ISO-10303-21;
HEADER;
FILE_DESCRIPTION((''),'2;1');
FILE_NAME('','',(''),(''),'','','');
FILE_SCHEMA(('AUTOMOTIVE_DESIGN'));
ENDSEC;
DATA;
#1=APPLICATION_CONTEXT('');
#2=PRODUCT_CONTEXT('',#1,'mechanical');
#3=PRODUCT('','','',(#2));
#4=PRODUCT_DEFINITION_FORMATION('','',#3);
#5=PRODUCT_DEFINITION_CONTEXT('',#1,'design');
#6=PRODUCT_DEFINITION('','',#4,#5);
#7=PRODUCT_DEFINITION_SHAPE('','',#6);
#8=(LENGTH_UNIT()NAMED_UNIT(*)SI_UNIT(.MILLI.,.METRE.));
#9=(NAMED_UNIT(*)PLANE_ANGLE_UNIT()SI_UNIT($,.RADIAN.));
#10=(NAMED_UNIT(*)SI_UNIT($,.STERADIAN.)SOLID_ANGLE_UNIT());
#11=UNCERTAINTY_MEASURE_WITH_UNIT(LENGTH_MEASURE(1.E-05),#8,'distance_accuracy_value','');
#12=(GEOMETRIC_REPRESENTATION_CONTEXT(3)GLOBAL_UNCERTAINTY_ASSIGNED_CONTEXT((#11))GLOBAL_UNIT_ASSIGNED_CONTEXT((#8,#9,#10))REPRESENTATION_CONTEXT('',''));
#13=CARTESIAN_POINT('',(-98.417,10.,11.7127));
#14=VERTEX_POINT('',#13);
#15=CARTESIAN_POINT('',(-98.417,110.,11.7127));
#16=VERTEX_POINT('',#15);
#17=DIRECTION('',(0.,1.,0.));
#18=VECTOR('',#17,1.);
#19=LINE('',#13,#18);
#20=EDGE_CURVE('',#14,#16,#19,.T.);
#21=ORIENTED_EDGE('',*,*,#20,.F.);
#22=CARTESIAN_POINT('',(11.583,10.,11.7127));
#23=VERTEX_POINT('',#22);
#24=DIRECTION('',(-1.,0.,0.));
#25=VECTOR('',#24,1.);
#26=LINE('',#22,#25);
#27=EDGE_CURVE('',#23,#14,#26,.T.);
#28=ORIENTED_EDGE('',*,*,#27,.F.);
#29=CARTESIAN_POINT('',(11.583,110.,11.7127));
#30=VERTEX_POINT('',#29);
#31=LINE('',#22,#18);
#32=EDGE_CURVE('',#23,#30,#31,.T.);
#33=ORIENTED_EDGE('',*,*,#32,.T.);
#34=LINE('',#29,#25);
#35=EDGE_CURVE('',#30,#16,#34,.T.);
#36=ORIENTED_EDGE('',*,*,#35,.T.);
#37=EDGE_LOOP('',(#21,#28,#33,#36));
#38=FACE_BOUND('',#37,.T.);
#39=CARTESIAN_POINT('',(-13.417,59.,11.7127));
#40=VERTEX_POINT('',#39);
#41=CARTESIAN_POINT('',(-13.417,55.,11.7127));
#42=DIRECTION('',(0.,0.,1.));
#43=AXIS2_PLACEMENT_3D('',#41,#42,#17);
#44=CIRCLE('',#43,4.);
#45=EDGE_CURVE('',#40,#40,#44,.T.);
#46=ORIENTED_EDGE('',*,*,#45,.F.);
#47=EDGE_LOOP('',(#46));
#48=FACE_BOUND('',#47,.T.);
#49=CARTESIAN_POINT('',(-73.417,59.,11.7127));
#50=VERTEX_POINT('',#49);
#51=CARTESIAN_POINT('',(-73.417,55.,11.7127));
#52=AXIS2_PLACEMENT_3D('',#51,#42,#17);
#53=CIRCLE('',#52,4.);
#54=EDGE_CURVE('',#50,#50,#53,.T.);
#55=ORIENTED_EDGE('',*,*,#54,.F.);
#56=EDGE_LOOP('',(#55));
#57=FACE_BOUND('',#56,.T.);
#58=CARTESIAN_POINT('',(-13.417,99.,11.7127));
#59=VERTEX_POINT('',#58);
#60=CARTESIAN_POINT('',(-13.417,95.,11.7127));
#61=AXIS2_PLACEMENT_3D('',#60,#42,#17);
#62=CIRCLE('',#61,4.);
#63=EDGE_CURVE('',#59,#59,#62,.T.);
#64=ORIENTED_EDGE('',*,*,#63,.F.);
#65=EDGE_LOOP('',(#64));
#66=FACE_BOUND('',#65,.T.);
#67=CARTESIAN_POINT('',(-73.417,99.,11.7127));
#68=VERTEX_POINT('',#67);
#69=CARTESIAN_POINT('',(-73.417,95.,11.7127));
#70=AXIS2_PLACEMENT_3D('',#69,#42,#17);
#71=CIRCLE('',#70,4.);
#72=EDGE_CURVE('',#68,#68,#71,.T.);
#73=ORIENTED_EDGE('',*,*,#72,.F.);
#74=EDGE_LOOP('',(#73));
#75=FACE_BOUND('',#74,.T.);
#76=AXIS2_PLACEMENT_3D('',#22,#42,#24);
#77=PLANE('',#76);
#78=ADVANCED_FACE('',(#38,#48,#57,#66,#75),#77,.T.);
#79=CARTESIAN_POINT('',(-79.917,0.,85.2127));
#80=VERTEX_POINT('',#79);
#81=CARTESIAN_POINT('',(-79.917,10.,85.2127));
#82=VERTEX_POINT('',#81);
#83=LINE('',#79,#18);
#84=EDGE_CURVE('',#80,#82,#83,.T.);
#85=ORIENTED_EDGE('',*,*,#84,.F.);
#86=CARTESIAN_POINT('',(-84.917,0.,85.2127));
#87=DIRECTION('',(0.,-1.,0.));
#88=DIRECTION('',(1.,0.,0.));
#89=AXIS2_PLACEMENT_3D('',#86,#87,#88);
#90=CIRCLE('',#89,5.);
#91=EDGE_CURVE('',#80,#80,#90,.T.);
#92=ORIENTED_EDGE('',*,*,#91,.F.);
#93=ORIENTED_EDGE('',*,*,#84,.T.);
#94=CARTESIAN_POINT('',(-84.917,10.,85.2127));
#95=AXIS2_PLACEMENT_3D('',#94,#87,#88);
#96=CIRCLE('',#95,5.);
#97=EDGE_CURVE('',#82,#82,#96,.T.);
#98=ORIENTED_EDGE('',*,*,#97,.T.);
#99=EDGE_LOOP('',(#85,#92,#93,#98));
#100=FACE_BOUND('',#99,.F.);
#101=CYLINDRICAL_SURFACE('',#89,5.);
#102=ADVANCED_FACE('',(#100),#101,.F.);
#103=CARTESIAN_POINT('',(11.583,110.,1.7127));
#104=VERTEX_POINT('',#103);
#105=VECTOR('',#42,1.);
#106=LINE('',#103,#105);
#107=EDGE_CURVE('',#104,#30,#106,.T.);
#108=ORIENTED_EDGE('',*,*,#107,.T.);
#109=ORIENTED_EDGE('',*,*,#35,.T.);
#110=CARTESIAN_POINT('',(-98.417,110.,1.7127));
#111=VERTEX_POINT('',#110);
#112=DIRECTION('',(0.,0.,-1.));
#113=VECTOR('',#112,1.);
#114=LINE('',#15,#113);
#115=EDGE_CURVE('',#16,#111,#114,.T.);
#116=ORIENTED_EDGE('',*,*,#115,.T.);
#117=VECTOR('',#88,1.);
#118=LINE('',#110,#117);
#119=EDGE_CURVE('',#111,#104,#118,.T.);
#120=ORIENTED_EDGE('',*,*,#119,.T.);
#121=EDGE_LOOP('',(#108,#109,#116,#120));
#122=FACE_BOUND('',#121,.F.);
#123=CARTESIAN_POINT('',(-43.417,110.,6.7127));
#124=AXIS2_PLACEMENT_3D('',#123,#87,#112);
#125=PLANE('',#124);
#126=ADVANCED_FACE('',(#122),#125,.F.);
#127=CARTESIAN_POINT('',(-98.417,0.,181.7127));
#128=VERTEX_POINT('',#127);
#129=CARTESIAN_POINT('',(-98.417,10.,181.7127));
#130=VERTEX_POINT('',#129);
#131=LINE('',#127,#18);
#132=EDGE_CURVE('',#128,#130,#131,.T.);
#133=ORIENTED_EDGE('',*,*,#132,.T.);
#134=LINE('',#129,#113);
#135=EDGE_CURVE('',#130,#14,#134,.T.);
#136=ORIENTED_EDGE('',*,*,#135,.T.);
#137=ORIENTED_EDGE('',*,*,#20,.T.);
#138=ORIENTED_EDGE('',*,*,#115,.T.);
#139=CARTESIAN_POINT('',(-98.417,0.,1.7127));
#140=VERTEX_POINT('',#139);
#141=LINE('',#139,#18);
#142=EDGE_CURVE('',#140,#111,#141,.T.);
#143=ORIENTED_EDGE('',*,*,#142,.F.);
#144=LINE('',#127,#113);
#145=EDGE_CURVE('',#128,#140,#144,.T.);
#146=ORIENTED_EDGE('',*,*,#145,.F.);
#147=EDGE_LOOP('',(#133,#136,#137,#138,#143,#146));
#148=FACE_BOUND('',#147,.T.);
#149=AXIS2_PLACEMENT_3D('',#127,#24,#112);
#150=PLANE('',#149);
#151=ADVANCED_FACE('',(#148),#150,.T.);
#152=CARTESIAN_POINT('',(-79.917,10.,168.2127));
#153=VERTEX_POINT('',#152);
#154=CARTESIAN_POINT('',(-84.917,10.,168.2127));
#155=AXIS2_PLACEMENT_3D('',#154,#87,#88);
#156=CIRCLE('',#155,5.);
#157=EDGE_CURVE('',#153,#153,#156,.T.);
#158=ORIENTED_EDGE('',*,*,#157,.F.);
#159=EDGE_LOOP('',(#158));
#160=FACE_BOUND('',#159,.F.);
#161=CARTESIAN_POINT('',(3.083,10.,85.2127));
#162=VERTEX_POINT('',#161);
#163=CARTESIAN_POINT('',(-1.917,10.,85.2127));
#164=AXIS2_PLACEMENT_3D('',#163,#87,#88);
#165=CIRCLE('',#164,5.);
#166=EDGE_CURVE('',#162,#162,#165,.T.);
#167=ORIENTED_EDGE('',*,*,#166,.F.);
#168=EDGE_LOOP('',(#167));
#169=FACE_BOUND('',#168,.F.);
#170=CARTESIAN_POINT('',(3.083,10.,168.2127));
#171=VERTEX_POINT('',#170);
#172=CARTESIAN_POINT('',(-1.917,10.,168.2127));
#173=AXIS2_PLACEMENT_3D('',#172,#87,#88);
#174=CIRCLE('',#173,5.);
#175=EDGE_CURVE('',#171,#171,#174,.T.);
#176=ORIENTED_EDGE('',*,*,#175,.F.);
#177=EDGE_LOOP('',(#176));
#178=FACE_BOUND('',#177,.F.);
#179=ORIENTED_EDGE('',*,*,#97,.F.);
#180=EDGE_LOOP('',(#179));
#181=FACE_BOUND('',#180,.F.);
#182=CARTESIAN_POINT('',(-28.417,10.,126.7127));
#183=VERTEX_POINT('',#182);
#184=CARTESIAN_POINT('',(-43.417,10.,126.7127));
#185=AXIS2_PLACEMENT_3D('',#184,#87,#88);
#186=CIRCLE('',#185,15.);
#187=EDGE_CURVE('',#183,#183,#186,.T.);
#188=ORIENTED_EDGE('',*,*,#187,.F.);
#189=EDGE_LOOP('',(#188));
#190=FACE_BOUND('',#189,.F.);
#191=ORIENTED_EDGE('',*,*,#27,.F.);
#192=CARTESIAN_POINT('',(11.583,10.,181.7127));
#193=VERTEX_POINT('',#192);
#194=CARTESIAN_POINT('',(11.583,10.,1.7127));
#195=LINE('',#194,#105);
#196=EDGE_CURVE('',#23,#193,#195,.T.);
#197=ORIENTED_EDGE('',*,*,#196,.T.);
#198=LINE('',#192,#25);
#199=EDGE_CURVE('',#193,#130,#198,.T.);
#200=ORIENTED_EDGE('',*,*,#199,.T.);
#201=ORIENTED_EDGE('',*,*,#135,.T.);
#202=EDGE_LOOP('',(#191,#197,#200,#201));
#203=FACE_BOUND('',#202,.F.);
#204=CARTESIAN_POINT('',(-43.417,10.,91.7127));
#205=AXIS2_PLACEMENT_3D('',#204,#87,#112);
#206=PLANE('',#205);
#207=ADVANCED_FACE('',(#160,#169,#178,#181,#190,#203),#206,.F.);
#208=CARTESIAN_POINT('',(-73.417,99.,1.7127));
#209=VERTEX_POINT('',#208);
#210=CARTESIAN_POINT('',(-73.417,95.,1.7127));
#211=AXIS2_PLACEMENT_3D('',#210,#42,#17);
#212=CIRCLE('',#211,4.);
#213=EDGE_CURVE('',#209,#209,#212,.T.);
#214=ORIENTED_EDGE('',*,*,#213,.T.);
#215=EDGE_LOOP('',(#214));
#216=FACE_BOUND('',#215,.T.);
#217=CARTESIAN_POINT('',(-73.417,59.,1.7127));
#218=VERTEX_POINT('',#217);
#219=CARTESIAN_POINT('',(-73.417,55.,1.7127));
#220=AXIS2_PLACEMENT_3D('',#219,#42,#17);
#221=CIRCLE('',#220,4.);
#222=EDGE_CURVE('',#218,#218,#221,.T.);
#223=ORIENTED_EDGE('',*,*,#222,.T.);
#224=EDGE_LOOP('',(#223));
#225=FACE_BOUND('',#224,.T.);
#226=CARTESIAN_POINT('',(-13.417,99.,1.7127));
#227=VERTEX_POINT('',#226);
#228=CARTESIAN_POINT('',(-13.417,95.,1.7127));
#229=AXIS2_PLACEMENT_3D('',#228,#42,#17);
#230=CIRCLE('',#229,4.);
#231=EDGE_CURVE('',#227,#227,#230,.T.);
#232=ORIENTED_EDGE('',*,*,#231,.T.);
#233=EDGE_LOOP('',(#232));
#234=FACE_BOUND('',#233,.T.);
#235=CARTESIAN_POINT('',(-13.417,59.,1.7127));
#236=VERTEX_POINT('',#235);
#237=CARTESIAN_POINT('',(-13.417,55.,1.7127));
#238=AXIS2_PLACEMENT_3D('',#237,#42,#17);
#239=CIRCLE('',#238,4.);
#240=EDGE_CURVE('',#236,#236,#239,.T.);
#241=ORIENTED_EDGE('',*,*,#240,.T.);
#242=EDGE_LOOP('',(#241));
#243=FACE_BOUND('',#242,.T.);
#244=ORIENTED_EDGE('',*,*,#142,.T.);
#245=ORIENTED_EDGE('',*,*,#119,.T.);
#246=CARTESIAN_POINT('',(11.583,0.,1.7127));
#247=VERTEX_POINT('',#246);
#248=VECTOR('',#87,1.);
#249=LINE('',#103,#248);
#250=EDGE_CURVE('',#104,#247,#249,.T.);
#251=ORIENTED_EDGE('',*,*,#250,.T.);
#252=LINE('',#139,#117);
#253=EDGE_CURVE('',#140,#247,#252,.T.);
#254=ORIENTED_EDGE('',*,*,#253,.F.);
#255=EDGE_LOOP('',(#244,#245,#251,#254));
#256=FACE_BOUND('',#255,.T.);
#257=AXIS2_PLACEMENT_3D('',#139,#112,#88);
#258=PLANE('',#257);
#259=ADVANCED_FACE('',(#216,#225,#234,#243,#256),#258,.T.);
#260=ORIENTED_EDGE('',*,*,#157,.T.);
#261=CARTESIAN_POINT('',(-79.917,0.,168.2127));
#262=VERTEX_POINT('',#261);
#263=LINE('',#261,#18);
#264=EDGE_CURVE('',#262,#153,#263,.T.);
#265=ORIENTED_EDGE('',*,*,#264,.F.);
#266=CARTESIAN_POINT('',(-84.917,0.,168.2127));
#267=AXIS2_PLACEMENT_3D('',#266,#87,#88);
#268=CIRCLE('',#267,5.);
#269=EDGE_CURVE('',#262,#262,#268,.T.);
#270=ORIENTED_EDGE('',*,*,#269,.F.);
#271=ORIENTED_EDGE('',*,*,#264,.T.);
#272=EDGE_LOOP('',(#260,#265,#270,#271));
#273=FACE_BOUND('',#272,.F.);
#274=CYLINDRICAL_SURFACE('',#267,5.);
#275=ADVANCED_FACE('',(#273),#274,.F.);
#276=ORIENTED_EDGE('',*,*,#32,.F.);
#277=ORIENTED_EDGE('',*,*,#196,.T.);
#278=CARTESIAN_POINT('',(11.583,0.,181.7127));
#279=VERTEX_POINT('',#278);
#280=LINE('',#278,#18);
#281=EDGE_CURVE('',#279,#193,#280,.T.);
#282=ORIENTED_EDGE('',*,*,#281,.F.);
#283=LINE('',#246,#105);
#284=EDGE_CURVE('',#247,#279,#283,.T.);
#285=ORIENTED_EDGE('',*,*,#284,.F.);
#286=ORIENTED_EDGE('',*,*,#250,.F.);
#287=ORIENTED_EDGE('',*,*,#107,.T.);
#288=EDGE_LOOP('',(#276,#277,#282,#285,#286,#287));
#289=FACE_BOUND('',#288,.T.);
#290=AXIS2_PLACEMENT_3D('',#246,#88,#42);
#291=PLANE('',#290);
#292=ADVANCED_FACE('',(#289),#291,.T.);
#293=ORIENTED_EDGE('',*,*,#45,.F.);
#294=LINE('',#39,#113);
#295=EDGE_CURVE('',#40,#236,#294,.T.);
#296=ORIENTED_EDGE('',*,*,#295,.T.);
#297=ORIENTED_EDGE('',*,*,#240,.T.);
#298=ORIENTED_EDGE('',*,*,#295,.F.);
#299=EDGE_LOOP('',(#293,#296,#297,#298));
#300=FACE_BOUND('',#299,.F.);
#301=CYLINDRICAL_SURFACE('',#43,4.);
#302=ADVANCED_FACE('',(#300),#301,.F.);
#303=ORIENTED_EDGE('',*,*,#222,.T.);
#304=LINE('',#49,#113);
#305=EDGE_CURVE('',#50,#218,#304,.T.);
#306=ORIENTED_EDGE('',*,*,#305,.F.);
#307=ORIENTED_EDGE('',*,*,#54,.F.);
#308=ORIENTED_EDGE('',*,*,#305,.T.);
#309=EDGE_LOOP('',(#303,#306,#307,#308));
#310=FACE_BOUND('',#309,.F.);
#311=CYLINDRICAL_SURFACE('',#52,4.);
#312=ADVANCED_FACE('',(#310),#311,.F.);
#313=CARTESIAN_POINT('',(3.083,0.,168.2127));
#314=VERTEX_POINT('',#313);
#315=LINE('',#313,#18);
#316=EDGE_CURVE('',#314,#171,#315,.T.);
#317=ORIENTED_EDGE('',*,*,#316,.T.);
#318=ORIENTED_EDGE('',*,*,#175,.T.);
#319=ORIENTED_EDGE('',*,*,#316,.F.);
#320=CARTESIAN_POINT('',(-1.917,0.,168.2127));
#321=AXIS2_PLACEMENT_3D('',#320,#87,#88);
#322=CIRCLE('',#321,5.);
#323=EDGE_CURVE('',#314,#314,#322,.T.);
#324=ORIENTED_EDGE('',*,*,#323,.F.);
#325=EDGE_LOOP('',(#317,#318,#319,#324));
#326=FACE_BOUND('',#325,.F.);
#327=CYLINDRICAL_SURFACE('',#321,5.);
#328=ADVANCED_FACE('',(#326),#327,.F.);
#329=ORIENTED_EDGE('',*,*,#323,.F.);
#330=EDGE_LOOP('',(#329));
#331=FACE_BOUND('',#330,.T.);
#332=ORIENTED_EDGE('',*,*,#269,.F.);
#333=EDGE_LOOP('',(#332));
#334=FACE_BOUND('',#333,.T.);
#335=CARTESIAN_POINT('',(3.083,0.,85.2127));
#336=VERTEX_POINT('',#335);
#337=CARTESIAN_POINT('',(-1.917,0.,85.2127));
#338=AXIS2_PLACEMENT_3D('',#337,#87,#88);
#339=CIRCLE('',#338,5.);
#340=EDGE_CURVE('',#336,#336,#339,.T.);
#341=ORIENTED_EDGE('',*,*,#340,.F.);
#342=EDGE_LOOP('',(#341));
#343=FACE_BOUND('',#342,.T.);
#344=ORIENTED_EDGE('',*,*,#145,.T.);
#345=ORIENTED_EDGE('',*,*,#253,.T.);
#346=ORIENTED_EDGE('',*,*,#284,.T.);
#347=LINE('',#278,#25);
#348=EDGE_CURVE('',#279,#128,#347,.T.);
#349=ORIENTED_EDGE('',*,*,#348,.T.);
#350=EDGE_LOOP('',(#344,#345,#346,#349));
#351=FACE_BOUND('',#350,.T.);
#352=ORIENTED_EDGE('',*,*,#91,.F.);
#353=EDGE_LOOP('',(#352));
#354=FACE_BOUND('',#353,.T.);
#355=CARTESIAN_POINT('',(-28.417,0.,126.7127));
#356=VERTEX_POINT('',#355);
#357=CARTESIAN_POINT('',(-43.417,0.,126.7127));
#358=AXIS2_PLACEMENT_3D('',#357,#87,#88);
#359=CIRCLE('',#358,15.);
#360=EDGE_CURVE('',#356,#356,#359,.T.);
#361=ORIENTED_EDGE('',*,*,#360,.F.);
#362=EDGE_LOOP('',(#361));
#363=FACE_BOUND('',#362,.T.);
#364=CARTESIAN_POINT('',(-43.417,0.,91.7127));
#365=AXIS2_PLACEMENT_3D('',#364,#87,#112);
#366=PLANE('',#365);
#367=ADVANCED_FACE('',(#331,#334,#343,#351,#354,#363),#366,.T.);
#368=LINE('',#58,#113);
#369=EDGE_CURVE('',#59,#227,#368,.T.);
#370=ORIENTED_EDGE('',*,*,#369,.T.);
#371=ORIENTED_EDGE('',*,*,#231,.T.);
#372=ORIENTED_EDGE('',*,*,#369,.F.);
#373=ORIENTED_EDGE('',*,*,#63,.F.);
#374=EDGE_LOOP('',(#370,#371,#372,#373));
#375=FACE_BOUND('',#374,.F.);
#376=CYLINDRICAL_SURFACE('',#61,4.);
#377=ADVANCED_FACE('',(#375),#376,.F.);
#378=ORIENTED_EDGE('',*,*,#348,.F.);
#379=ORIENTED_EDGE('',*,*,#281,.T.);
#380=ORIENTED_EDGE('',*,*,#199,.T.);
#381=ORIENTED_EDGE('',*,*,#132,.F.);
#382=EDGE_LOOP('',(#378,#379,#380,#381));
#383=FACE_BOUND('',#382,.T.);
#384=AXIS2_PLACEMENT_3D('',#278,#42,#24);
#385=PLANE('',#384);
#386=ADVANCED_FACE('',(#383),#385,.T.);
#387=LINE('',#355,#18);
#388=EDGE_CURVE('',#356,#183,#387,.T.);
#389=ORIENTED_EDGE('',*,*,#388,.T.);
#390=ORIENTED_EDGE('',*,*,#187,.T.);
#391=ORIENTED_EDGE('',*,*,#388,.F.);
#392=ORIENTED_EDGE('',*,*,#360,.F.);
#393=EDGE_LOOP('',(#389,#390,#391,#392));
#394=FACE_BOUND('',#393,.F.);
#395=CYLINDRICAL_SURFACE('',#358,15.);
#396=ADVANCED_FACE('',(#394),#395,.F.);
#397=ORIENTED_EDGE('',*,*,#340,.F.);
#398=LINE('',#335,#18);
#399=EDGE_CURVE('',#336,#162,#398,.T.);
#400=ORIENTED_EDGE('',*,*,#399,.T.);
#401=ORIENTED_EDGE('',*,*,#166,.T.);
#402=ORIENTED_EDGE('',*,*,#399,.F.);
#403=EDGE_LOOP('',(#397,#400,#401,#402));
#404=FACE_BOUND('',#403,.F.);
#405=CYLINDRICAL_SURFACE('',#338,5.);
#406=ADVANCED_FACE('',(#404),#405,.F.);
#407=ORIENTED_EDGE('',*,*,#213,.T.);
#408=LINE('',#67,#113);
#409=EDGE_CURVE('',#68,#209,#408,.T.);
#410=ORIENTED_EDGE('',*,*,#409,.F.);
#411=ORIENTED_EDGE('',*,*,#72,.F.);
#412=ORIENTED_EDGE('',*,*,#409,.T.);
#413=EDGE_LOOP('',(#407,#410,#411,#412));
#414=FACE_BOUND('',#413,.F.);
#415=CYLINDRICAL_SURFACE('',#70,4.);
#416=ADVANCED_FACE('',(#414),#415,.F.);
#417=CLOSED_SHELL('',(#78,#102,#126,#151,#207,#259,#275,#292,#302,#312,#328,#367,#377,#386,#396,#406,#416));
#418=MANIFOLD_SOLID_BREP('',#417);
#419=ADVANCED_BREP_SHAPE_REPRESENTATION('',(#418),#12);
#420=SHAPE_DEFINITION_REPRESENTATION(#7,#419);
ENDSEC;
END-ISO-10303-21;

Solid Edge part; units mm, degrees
sketch "Sketch1" plane through (0, 0, 0) normal (0, -1, 0) x (1, 0, 0)
  line L0 (-98.417, 1.7127) -> (11.583, 1.7127)
  line L1 (11.583, 1.7127) -> (11.583, 181.7127)
  line L2 (11.583, 181.7127) -> (-98.417, 181.7127)
  line L3 (-98.417, 181.7127) -> (-98.417, 1.7127)
  dimension "D1" = 110
  dimension "D2" = 180
extrude "Protrusion1" add sketch "Sketch1" against normal blind 10
sketch "Sketch2" plane through (-48.417, 0, 81.7127) normal (0, -1, 0) x (1, 0, 0)
  circle A0 centre (-36.5, 86.5) radius 5
  circle A1 centre (46.5, 86.5) radius 5
  circle A2 centre (-36.5, 3.5) radius 5
  circle A3 centre (46.5, 3.5) radius 5
  circle A4 centre (5, 45) radius 15
  dimension "D1" = 125
  dimension "D2" = 10
  dimension "D3" = 10
  dimension "D4" = 10
  dimension "D5" = 83
  dimension "D6" = 83
  dimension "D7" = 41.5
  dimension "D8" = 41.5
extrude "Cutout1" cut sketch "Sketch2" against normal through all
extrude "Cutout2" [suppressed]
sketch "Sketch3" plane through (-43.417, 10, 91.7127) normal (0, 1, 0) x (1, 0, 0)
  line L0 (-55, 90) -> (55, 90)
  line L1 (55, 90) -> (55, 80)
  line L2 (55, 80) -> (-55, 80)
  line L3 (-55, 80) -> (-55, 90)
  dimension "D1" = 10
extrude "Protrusion2" add sketch "Sketch3" along normal blind 100
sketch "Sketch4" plane through (-43.417, 60, 11.7127) normal (0, 0, 1) x (0, 1, 0)
  circle A0 centre (35, 30) radius 4
  circle A1 centre (-5, -30) radius 4
  circle A2 centre (35, -30) radius 4
  circle A3 centre (-5, 30) radius 4
  dimension "D1" = 8
  dimension "D2" = 8
  dimension "D3" = 40
  dimension "D4" = 60
  dimension "D5" = 30
  dimension "D6" = 15
extrude "Cutout3" cut sketch "Sketch4" against normal up to next
